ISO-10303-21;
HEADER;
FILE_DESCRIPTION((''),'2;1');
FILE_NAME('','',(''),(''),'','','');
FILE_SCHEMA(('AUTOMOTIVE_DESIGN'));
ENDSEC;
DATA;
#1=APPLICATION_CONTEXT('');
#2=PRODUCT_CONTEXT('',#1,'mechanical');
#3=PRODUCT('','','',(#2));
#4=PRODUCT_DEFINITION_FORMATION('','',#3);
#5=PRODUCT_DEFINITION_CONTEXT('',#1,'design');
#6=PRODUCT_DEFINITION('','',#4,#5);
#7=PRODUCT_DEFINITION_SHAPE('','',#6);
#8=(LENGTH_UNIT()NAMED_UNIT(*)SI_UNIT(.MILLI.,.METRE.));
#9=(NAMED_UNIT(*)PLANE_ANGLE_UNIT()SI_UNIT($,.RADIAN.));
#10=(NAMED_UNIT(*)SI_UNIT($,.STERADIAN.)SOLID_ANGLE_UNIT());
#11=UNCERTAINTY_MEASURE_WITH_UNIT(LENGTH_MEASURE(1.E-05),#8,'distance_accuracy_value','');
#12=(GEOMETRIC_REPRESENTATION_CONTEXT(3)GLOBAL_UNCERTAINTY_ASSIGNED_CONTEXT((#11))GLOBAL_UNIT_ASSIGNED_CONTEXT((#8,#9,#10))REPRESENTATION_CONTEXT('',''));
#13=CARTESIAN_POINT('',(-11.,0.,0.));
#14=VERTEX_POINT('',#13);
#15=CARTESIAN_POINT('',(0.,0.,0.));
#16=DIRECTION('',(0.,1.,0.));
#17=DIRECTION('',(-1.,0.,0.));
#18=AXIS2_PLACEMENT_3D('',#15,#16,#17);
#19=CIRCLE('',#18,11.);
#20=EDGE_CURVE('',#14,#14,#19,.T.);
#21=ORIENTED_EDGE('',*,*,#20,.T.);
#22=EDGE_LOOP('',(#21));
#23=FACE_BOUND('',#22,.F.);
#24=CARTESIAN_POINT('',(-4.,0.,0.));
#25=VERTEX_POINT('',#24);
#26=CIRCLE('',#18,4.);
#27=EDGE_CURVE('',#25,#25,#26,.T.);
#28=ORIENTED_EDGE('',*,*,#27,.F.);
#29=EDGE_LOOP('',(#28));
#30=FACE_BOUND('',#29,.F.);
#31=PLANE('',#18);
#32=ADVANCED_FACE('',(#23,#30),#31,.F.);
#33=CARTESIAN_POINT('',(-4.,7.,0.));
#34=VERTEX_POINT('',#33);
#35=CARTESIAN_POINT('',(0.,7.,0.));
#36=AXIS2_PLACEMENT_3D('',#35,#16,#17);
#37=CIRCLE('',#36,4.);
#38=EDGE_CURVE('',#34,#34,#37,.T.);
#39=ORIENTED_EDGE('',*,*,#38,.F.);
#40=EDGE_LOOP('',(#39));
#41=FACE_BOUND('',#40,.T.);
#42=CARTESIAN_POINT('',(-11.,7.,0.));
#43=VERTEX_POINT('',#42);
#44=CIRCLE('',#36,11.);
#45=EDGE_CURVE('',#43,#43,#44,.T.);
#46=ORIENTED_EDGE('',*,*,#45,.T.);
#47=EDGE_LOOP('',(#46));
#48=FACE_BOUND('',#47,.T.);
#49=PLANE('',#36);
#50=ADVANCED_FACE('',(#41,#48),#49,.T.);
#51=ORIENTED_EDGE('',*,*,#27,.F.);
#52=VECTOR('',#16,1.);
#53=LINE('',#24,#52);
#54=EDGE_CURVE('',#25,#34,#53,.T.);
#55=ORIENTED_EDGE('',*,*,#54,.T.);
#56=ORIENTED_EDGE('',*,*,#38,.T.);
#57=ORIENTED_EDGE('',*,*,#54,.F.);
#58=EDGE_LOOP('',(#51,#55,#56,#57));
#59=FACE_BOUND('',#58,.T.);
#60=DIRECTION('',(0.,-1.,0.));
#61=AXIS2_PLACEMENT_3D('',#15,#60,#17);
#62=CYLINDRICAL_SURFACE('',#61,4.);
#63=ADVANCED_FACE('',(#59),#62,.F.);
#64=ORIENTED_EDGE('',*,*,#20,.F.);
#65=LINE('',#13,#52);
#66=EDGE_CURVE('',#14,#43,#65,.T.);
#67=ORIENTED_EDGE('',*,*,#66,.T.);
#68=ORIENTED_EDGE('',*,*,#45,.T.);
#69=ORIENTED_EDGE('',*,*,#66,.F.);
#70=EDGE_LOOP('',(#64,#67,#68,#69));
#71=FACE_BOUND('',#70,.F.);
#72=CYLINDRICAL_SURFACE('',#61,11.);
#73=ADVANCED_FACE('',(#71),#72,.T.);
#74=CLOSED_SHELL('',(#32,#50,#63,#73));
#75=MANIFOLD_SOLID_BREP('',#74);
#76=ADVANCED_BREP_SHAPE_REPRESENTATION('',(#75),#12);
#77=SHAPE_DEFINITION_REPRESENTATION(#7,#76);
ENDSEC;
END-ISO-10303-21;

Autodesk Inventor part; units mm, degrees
ref_plane "YZ Plane" through (0, 0, 0) normal (1, 0, 0) x (0, 1, 0)
ref_plane "XZ Plane" through (0, 0, 0) normal (0, 1, 0) x (-1, 0, 0)
ref_plane "XY Plane" through (0, 0, 0) normal (0, 0, 1) x (1, 0, 0)
sketch "Sketch1" plane through (0, 0, 0) normal (0, 1, 0) x (-1, 0, 0)
  circle A0 centre (0, 0) radius 4
  circle A1 centre (0, 0) radius 11
  dimension "d0" = 8
  dimension "d1" = 22
extrude "Extrusion1" add sketch "Sketch1" along normal blind 7
properties part number "bearing"
